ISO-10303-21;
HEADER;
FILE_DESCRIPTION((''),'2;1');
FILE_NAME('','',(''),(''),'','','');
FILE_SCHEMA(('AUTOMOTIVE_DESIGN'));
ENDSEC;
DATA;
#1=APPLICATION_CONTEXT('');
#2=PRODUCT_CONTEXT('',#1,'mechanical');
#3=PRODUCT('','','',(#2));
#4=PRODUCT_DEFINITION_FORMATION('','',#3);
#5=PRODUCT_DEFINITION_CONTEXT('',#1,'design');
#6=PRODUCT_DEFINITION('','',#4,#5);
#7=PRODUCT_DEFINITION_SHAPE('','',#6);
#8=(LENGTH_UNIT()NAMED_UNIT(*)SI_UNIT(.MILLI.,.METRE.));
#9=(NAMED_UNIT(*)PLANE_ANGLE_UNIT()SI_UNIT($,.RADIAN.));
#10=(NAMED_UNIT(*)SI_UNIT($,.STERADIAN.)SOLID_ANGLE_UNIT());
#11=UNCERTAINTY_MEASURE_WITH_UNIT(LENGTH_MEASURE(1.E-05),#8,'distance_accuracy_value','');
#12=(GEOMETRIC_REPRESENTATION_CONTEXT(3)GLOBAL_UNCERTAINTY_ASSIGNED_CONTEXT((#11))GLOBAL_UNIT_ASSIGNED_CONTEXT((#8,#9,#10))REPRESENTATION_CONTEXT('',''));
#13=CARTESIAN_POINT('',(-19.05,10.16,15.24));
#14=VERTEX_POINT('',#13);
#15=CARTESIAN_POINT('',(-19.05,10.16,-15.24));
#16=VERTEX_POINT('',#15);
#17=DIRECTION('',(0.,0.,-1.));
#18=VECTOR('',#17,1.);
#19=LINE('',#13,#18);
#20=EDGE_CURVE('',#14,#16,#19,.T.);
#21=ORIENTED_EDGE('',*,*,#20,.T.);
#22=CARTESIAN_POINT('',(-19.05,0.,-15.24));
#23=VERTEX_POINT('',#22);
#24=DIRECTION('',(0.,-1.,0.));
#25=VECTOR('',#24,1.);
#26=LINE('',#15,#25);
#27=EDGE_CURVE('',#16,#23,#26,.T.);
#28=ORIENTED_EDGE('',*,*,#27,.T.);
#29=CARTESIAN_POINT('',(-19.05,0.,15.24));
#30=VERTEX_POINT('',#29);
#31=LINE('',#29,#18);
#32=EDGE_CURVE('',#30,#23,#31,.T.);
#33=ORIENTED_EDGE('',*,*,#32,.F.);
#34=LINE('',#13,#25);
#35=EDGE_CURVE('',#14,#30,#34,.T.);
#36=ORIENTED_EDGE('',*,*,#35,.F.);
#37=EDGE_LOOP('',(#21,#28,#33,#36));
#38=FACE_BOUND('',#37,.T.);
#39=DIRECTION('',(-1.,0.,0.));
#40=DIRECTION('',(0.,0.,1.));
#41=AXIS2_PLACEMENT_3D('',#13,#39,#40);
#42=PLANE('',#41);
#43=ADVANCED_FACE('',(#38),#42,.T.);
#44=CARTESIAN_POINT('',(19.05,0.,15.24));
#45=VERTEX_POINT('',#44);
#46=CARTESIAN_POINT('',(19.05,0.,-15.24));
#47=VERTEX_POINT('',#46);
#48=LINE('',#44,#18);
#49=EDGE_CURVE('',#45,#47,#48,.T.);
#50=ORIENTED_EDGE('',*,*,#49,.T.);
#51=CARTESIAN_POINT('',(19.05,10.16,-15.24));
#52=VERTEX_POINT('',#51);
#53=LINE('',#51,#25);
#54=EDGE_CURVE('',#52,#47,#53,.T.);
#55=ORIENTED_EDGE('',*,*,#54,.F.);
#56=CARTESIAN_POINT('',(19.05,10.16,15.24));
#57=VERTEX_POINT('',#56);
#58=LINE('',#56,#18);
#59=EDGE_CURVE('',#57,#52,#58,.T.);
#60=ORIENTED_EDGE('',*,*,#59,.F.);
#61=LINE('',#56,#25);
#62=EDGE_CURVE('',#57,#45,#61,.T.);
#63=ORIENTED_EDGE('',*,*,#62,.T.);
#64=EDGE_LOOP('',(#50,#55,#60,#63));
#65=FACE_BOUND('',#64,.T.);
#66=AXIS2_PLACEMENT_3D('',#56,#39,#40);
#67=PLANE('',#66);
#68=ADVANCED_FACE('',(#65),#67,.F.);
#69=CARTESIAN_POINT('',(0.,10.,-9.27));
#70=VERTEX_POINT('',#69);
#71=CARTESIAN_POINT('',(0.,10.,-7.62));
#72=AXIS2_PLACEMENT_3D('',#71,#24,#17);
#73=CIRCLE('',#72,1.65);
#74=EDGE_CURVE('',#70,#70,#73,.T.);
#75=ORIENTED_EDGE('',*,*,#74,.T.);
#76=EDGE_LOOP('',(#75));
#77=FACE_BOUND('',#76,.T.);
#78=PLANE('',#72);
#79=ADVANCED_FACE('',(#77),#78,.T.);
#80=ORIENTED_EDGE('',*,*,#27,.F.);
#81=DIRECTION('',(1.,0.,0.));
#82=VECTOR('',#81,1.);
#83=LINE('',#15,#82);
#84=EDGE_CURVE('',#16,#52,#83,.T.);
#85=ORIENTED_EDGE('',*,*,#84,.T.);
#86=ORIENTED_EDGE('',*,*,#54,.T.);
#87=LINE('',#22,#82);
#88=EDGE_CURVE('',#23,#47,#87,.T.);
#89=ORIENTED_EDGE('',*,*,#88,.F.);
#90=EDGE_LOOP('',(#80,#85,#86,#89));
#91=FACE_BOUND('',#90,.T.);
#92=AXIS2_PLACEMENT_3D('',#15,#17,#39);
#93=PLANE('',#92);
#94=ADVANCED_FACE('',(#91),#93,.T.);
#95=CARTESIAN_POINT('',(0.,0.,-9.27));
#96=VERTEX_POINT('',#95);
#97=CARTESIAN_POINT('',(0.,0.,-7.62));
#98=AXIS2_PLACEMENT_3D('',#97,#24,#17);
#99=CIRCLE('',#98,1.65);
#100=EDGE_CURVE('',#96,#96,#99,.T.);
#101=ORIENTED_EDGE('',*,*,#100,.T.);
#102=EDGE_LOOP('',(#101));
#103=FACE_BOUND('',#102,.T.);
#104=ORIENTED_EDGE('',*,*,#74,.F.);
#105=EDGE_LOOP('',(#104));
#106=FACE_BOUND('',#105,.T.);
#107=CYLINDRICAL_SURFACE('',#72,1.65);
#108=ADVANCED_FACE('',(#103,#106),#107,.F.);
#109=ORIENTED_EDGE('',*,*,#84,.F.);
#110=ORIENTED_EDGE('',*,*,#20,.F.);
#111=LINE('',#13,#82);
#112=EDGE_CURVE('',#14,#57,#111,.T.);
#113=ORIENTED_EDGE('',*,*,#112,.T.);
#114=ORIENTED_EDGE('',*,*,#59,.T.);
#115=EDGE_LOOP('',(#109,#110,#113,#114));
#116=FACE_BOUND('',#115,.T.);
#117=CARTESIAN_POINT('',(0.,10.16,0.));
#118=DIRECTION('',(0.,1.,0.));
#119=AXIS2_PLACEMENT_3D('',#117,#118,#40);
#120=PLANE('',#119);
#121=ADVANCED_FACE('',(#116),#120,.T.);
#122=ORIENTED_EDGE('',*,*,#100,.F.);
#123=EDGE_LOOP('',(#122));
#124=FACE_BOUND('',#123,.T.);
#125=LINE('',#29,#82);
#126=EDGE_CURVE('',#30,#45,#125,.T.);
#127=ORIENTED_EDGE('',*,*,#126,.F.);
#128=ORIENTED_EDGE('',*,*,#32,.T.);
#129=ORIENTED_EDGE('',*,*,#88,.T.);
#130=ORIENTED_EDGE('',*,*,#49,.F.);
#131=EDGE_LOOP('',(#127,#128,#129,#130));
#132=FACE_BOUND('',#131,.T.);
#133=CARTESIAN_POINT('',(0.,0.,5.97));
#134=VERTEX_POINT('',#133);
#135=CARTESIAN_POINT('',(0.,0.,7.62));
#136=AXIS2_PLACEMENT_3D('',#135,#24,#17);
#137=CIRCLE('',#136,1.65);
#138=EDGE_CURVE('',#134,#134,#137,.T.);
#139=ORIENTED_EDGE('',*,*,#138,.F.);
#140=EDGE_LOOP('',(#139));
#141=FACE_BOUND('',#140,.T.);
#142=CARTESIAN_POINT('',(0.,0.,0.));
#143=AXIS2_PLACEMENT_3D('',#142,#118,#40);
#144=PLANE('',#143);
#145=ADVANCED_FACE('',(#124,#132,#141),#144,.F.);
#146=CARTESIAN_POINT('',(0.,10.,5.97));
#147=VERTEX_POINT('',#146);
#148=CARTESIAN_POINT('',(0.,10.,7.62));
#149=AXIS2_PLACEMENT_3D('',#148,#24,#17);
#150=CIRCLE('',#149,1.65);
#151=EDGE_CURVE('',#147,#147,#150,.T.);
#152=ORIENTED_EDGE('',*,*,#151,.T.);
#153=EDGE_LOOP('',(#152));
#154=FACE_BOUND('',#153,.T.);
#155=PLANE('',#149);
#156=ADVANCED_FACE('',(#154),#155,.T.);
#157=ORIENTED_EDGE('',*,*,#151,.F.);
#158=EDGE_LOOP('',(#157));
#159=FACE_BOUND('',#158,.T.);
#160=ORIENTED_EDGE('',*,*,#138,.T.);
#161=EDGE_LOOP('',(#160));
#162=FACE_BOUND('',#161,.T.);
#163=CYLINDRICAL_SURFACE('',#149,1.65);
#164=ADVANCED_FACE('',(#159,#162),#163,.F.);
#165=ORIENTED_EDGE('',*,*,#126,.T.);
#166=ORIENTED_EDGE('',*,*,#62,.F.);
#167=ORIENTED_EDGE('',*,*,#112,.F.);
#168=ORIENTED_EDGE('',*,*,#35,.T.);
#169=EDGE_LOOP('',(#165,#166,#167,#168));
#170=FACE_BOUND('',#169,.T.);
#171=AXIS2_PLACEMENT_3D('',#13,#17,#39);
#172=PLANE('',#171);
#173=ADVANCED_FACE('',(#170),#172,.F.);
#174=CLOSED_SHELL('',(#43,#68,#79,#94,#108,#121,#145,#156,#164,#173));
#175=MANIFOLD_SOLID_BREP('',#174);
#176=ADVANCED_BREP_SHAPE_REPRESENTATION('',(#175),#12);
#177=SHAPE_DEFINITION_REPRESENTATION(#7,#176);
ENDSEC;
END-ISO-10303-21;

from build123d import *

# Parameters (mm, degrees)
SKETCH1_W           = 38.1
SKETCH1_H           = 30.48
BOSS_EXTRUDE1_DEPTH = 10.16
SKETCH3_R           = 1.65
CUT_EXTRUDE1_DEPTH  = 10


with BuildPart() as part:
    # Sketch1 → Boss-Extrude1 (new body)
    with BuildSketch(Plane(origin=(0, 0, 0), x_dir=(1, 0, 0), z_dir=(0, 1, 0))):
        Rectangle(SKETCH1_W, SKETCH1_H)
    extrude(amount=BOSS_EXTRUDE1_DEPTH)

    # Sketch3 → Cut-Extrude1 (cut)
    with BuildSketch(Plane.XZ):
        with Locations(Location((0, 7.62, 0), (0, 0, 270))):
            Circle(SKETCH3_R)
        with Locations(Location((0, -7.62, 0), (0, 0, 270))):
            Circle(SKETCH3_R)
    extrude(amount=-CUT_EXTRUDE1_DEPTH, mode=Mode.SUBTRACT)


solid = part.part
